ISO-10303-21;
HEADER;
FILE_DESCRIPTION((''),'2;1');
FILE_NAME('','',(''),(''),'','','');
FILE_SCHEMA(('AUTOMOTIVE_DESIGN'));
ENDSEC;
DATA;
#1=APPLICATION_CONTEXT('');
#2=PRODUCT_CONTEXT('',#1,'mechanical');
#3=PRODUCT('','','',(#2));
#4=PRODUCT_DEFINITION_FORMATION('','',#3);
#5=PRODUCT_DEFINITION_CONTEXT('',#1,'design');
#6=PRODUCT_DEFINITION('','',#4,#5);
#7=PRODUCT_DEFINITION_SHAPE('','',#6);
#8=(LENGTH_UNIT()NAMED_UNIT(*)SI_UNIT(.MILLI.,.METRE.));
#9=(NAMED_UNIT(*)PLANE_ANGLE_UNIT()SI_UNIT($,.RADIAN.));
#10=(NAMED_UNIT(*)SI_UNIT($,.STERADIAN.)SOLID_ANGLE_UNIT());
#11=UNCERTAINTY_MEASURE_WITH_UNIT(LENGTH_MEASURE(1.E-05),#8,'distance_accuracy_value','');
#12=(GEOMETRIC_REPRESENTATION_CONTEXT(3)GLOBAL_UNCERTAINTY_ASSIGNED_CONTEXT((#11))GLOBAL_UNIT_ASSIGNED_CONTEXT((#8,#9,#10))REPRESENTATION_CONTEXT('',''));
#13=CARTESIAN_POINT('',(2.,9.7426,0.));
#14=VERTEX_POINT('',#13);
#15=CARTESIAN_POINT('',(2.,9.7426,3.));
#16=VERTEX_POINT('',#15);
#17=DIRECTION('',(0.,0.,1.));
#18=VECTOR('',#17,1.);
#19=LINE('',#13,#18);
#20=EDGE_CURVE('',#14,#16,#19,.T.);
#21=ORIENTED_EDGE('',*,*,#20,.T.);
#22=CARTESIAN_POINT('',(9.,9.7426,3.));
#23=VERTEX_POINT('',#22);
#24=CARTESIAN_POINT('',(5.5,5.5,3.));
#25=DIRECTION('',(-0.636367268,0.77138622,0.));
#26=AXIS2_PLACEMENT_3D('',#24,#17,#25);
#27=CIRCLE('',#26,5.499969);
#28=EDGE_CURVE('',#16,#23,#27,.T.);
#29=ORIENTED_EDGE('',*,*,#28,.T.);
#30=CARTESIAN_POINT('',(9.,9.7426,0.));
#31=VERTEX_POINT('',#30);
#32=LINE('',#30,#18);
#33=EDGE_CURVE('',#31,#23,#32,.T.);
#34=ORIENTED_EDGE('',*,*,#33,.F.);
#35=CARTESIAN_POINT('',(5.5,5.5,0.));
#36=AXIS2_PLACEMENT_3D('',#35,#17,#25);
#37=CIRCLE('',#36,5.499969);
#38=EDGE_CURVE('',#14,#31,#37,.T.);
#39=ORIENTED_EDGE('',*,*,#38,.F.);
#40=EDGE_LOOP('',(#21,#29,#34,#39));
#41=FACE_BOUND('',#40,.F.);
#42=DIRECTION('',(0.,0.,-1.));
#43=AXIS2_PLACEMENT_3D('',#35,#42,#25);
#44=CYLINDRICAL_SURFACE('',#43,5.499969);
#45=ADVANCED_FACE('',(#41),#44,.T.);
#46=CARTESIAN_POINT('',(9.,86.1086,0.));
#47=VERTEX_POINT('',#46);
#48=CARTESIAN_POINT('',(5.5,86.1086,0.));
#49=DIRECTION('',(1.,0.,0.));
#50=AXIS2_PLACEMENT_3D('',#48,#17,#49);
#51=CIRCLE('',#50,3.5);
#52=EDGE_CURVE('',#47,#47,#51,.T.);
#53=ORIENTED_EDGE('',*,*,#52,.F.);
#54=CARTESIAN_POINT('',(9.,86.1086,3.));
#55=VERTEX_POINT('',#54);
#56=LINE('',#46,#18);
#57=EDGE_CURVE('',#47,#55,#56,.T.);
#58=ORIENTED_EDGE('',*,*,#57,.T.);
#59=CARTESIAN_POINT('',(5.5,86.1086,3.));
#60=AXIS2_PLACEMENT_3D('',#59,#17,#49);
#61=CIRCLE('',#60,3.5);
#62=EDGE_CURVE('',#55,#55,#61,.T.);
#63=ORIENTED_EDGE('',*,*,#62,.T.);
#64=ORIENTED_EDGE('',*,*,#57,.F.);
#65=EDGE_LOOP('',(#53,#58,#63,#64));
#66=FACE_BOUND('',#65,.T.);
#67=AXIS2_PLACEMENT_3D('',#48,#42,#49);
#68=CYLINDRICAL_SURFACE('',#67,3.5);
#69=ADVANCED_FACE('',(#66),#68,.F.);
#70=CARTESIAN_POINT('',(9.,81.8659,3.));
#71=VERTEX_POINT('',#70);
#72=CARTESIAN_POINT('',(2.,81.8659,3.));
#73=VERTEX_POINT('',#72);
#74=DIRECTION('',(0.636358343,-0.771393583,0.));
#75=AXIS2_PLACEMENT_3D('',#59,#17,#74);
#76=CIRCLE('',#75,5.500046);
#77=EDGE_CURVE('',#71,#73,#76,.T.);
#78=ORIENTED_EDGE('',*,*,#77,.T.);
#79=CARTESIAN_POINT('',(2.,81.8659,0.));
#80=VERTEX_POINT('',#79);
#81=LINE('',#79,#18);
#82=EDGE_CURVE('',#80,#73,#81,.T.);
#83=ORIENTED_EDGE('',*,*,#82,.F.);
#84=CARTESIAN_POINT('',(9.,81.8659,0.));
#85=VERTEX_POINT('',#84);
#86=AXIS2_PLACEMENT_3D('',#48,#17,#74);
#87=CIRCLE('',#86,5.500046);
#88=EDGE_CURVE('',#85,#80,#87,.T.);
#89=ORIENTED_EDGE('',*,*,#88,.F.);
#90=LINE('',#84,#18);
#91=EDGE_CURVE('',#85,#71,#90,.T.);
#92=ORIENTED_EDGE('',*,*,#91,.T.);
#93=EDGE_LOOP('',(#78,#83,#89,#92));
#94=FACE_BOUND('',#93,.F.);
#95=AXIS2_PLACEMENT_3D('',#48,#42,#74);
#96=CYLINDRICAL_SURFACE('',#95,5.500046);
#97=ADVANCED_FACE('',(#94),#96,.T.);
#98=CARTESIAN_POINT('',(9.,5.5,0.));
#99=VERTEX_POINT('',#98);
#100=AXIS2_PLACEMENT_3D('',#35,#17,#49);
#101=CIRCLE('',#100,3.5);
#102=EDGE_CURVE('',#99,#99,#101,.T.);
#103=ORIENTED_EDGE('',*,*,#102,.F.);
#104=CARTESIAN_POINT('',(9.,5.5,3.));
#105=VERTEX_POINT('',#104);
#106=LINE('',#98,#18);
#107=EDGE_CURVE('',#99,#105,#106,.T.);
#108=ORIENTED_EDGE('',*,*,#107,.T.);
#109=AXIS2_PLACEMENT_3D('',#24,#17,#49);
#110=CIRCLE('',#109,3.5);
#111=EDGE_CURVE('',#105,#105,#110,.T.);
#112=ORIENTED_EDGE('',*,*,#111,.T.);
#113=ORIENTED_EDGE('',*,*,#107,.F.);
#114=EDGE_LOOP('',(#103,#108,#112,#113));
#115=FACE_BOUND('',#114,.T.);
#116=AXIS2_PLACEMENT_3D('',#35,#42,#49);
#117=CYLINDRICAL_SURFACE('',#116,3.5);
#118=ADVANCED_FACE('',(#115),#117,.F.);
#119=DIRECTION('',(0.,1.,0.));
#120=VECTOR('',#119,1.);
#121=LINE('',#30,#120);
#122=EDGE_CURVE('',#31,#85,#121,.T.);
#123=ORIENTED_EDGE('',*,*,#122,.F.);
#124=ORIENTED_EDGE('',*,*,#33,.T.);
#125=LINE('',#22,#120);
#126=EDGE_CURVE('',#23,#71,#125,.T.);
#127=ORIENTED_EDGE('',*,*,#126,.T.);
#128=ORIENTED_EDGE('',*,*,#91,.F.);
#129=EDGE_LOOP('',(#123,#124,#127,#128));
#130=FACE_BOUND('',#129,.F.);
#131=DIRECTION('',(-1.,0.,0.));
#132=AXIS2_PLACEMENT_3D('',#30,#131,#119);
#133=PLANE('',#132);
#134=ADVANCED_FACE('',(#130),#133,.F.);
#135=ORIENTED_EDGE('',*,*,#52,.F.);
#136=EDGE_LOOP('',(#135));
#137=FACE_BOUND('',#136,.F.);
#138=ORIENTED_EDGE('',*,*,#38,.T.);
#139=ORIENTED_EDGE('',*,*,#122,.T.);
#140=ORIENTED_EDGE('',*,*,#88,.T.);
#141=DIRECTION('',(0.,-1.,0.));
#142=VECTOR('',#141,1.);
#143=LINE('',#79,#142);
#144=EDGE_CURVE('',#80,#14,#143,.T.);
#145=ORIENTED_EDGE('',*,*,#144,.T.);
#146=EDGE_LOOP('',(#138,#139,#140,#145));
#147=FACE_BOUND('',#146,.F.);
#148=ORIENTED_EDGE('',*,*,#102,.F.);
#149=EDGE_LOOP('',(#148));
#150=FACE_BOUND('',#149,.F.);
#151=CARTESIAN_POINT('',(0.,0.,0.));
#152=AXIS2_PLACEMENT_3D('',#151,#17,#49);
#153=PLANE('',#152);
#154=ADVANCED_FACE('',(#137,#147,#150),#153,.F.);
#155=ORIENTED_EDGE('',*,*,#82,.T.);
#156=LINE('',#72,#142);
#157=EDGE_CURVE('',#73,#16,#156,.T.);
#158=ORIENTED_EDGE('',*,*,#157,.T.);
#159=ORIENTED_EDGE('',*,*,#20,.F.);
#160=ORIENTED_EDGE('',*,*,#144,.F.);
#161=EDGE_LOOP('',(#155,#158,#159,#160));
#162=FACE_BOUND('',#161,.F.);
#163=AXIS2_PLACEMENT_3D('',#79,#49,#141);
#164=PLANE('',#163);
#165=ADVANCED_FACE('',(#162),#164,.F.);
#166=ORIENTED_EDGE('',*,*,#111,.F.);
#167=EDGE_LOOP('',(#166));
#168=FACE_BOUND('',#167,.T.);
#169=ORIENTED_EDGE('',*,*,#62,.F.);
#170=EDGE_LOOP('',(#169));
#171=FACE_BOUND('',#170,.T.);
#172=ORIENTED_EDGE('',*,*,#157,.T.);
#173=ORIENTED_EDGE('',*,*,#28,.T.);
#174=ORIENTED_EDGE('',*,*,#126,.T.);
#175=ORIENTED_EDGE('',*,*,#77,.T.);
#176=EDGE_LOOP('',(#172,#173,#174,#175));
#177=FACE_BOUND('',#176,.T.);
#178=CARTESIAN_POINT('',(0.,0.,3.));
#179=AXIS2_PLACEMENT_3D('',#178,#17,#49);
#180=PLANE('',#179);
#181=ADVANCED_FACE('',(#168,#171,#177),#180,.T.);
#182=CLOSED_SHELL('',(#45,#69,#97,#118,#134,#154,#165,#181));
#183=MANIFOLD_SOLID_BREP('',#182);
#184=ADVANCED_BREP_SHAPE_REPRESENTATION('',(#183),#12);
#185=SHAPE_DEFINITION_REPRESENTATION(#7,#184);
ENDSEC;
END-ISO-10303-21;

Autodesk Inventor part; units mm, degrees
ref_plane "YZ Plane" through (0, 0, 0) normal (1, 0, 0) x (0, 1, 0)
ref_plane "XZ Plane" through (0, 0, 0) normal (0, 1, 0) x (-1, 0, 0)
ref_plane "XY Plane" through (0, 0, 0) normal (0, 0, 1) x (1, 0, 0)
sketch "Sketch6" plane through (0, 0, 0) normal (0, 0, 1) x (1, 0, 0)
  arc A0 (9, 81.8659) -> (2, 81.8659) centre (5.5, 86.1086) ccw
  arc A1 (2, 9.7426) -> (9, 9.7426) centre (5.5, 5.5) ccw
  circle A2 centre (5.5, 5.5) radius 3.5
  circle A3 centre (5.5, 86.1086) radius 3.5
  line L0 (2, 81.8659) -> (2, 9.7426)
  line L1 (9, 9.7426) -> (9, 81.8659)
  point P0 (0, 0)
  dimension "d89" = 80.6086
  dimension "d90" = 7
  dimension "d91" = 7
  dimension "d92" = 5.5
  dimension "d93" = 7
  dimension "d94" = 5.5
extrude "Extrusion3" add sketch "Sketch6" along normal blind 3
properties part number "4P.01.02.28-BC-v1-Final Aileron L3 80deg" material "Acrylic, Clear"
